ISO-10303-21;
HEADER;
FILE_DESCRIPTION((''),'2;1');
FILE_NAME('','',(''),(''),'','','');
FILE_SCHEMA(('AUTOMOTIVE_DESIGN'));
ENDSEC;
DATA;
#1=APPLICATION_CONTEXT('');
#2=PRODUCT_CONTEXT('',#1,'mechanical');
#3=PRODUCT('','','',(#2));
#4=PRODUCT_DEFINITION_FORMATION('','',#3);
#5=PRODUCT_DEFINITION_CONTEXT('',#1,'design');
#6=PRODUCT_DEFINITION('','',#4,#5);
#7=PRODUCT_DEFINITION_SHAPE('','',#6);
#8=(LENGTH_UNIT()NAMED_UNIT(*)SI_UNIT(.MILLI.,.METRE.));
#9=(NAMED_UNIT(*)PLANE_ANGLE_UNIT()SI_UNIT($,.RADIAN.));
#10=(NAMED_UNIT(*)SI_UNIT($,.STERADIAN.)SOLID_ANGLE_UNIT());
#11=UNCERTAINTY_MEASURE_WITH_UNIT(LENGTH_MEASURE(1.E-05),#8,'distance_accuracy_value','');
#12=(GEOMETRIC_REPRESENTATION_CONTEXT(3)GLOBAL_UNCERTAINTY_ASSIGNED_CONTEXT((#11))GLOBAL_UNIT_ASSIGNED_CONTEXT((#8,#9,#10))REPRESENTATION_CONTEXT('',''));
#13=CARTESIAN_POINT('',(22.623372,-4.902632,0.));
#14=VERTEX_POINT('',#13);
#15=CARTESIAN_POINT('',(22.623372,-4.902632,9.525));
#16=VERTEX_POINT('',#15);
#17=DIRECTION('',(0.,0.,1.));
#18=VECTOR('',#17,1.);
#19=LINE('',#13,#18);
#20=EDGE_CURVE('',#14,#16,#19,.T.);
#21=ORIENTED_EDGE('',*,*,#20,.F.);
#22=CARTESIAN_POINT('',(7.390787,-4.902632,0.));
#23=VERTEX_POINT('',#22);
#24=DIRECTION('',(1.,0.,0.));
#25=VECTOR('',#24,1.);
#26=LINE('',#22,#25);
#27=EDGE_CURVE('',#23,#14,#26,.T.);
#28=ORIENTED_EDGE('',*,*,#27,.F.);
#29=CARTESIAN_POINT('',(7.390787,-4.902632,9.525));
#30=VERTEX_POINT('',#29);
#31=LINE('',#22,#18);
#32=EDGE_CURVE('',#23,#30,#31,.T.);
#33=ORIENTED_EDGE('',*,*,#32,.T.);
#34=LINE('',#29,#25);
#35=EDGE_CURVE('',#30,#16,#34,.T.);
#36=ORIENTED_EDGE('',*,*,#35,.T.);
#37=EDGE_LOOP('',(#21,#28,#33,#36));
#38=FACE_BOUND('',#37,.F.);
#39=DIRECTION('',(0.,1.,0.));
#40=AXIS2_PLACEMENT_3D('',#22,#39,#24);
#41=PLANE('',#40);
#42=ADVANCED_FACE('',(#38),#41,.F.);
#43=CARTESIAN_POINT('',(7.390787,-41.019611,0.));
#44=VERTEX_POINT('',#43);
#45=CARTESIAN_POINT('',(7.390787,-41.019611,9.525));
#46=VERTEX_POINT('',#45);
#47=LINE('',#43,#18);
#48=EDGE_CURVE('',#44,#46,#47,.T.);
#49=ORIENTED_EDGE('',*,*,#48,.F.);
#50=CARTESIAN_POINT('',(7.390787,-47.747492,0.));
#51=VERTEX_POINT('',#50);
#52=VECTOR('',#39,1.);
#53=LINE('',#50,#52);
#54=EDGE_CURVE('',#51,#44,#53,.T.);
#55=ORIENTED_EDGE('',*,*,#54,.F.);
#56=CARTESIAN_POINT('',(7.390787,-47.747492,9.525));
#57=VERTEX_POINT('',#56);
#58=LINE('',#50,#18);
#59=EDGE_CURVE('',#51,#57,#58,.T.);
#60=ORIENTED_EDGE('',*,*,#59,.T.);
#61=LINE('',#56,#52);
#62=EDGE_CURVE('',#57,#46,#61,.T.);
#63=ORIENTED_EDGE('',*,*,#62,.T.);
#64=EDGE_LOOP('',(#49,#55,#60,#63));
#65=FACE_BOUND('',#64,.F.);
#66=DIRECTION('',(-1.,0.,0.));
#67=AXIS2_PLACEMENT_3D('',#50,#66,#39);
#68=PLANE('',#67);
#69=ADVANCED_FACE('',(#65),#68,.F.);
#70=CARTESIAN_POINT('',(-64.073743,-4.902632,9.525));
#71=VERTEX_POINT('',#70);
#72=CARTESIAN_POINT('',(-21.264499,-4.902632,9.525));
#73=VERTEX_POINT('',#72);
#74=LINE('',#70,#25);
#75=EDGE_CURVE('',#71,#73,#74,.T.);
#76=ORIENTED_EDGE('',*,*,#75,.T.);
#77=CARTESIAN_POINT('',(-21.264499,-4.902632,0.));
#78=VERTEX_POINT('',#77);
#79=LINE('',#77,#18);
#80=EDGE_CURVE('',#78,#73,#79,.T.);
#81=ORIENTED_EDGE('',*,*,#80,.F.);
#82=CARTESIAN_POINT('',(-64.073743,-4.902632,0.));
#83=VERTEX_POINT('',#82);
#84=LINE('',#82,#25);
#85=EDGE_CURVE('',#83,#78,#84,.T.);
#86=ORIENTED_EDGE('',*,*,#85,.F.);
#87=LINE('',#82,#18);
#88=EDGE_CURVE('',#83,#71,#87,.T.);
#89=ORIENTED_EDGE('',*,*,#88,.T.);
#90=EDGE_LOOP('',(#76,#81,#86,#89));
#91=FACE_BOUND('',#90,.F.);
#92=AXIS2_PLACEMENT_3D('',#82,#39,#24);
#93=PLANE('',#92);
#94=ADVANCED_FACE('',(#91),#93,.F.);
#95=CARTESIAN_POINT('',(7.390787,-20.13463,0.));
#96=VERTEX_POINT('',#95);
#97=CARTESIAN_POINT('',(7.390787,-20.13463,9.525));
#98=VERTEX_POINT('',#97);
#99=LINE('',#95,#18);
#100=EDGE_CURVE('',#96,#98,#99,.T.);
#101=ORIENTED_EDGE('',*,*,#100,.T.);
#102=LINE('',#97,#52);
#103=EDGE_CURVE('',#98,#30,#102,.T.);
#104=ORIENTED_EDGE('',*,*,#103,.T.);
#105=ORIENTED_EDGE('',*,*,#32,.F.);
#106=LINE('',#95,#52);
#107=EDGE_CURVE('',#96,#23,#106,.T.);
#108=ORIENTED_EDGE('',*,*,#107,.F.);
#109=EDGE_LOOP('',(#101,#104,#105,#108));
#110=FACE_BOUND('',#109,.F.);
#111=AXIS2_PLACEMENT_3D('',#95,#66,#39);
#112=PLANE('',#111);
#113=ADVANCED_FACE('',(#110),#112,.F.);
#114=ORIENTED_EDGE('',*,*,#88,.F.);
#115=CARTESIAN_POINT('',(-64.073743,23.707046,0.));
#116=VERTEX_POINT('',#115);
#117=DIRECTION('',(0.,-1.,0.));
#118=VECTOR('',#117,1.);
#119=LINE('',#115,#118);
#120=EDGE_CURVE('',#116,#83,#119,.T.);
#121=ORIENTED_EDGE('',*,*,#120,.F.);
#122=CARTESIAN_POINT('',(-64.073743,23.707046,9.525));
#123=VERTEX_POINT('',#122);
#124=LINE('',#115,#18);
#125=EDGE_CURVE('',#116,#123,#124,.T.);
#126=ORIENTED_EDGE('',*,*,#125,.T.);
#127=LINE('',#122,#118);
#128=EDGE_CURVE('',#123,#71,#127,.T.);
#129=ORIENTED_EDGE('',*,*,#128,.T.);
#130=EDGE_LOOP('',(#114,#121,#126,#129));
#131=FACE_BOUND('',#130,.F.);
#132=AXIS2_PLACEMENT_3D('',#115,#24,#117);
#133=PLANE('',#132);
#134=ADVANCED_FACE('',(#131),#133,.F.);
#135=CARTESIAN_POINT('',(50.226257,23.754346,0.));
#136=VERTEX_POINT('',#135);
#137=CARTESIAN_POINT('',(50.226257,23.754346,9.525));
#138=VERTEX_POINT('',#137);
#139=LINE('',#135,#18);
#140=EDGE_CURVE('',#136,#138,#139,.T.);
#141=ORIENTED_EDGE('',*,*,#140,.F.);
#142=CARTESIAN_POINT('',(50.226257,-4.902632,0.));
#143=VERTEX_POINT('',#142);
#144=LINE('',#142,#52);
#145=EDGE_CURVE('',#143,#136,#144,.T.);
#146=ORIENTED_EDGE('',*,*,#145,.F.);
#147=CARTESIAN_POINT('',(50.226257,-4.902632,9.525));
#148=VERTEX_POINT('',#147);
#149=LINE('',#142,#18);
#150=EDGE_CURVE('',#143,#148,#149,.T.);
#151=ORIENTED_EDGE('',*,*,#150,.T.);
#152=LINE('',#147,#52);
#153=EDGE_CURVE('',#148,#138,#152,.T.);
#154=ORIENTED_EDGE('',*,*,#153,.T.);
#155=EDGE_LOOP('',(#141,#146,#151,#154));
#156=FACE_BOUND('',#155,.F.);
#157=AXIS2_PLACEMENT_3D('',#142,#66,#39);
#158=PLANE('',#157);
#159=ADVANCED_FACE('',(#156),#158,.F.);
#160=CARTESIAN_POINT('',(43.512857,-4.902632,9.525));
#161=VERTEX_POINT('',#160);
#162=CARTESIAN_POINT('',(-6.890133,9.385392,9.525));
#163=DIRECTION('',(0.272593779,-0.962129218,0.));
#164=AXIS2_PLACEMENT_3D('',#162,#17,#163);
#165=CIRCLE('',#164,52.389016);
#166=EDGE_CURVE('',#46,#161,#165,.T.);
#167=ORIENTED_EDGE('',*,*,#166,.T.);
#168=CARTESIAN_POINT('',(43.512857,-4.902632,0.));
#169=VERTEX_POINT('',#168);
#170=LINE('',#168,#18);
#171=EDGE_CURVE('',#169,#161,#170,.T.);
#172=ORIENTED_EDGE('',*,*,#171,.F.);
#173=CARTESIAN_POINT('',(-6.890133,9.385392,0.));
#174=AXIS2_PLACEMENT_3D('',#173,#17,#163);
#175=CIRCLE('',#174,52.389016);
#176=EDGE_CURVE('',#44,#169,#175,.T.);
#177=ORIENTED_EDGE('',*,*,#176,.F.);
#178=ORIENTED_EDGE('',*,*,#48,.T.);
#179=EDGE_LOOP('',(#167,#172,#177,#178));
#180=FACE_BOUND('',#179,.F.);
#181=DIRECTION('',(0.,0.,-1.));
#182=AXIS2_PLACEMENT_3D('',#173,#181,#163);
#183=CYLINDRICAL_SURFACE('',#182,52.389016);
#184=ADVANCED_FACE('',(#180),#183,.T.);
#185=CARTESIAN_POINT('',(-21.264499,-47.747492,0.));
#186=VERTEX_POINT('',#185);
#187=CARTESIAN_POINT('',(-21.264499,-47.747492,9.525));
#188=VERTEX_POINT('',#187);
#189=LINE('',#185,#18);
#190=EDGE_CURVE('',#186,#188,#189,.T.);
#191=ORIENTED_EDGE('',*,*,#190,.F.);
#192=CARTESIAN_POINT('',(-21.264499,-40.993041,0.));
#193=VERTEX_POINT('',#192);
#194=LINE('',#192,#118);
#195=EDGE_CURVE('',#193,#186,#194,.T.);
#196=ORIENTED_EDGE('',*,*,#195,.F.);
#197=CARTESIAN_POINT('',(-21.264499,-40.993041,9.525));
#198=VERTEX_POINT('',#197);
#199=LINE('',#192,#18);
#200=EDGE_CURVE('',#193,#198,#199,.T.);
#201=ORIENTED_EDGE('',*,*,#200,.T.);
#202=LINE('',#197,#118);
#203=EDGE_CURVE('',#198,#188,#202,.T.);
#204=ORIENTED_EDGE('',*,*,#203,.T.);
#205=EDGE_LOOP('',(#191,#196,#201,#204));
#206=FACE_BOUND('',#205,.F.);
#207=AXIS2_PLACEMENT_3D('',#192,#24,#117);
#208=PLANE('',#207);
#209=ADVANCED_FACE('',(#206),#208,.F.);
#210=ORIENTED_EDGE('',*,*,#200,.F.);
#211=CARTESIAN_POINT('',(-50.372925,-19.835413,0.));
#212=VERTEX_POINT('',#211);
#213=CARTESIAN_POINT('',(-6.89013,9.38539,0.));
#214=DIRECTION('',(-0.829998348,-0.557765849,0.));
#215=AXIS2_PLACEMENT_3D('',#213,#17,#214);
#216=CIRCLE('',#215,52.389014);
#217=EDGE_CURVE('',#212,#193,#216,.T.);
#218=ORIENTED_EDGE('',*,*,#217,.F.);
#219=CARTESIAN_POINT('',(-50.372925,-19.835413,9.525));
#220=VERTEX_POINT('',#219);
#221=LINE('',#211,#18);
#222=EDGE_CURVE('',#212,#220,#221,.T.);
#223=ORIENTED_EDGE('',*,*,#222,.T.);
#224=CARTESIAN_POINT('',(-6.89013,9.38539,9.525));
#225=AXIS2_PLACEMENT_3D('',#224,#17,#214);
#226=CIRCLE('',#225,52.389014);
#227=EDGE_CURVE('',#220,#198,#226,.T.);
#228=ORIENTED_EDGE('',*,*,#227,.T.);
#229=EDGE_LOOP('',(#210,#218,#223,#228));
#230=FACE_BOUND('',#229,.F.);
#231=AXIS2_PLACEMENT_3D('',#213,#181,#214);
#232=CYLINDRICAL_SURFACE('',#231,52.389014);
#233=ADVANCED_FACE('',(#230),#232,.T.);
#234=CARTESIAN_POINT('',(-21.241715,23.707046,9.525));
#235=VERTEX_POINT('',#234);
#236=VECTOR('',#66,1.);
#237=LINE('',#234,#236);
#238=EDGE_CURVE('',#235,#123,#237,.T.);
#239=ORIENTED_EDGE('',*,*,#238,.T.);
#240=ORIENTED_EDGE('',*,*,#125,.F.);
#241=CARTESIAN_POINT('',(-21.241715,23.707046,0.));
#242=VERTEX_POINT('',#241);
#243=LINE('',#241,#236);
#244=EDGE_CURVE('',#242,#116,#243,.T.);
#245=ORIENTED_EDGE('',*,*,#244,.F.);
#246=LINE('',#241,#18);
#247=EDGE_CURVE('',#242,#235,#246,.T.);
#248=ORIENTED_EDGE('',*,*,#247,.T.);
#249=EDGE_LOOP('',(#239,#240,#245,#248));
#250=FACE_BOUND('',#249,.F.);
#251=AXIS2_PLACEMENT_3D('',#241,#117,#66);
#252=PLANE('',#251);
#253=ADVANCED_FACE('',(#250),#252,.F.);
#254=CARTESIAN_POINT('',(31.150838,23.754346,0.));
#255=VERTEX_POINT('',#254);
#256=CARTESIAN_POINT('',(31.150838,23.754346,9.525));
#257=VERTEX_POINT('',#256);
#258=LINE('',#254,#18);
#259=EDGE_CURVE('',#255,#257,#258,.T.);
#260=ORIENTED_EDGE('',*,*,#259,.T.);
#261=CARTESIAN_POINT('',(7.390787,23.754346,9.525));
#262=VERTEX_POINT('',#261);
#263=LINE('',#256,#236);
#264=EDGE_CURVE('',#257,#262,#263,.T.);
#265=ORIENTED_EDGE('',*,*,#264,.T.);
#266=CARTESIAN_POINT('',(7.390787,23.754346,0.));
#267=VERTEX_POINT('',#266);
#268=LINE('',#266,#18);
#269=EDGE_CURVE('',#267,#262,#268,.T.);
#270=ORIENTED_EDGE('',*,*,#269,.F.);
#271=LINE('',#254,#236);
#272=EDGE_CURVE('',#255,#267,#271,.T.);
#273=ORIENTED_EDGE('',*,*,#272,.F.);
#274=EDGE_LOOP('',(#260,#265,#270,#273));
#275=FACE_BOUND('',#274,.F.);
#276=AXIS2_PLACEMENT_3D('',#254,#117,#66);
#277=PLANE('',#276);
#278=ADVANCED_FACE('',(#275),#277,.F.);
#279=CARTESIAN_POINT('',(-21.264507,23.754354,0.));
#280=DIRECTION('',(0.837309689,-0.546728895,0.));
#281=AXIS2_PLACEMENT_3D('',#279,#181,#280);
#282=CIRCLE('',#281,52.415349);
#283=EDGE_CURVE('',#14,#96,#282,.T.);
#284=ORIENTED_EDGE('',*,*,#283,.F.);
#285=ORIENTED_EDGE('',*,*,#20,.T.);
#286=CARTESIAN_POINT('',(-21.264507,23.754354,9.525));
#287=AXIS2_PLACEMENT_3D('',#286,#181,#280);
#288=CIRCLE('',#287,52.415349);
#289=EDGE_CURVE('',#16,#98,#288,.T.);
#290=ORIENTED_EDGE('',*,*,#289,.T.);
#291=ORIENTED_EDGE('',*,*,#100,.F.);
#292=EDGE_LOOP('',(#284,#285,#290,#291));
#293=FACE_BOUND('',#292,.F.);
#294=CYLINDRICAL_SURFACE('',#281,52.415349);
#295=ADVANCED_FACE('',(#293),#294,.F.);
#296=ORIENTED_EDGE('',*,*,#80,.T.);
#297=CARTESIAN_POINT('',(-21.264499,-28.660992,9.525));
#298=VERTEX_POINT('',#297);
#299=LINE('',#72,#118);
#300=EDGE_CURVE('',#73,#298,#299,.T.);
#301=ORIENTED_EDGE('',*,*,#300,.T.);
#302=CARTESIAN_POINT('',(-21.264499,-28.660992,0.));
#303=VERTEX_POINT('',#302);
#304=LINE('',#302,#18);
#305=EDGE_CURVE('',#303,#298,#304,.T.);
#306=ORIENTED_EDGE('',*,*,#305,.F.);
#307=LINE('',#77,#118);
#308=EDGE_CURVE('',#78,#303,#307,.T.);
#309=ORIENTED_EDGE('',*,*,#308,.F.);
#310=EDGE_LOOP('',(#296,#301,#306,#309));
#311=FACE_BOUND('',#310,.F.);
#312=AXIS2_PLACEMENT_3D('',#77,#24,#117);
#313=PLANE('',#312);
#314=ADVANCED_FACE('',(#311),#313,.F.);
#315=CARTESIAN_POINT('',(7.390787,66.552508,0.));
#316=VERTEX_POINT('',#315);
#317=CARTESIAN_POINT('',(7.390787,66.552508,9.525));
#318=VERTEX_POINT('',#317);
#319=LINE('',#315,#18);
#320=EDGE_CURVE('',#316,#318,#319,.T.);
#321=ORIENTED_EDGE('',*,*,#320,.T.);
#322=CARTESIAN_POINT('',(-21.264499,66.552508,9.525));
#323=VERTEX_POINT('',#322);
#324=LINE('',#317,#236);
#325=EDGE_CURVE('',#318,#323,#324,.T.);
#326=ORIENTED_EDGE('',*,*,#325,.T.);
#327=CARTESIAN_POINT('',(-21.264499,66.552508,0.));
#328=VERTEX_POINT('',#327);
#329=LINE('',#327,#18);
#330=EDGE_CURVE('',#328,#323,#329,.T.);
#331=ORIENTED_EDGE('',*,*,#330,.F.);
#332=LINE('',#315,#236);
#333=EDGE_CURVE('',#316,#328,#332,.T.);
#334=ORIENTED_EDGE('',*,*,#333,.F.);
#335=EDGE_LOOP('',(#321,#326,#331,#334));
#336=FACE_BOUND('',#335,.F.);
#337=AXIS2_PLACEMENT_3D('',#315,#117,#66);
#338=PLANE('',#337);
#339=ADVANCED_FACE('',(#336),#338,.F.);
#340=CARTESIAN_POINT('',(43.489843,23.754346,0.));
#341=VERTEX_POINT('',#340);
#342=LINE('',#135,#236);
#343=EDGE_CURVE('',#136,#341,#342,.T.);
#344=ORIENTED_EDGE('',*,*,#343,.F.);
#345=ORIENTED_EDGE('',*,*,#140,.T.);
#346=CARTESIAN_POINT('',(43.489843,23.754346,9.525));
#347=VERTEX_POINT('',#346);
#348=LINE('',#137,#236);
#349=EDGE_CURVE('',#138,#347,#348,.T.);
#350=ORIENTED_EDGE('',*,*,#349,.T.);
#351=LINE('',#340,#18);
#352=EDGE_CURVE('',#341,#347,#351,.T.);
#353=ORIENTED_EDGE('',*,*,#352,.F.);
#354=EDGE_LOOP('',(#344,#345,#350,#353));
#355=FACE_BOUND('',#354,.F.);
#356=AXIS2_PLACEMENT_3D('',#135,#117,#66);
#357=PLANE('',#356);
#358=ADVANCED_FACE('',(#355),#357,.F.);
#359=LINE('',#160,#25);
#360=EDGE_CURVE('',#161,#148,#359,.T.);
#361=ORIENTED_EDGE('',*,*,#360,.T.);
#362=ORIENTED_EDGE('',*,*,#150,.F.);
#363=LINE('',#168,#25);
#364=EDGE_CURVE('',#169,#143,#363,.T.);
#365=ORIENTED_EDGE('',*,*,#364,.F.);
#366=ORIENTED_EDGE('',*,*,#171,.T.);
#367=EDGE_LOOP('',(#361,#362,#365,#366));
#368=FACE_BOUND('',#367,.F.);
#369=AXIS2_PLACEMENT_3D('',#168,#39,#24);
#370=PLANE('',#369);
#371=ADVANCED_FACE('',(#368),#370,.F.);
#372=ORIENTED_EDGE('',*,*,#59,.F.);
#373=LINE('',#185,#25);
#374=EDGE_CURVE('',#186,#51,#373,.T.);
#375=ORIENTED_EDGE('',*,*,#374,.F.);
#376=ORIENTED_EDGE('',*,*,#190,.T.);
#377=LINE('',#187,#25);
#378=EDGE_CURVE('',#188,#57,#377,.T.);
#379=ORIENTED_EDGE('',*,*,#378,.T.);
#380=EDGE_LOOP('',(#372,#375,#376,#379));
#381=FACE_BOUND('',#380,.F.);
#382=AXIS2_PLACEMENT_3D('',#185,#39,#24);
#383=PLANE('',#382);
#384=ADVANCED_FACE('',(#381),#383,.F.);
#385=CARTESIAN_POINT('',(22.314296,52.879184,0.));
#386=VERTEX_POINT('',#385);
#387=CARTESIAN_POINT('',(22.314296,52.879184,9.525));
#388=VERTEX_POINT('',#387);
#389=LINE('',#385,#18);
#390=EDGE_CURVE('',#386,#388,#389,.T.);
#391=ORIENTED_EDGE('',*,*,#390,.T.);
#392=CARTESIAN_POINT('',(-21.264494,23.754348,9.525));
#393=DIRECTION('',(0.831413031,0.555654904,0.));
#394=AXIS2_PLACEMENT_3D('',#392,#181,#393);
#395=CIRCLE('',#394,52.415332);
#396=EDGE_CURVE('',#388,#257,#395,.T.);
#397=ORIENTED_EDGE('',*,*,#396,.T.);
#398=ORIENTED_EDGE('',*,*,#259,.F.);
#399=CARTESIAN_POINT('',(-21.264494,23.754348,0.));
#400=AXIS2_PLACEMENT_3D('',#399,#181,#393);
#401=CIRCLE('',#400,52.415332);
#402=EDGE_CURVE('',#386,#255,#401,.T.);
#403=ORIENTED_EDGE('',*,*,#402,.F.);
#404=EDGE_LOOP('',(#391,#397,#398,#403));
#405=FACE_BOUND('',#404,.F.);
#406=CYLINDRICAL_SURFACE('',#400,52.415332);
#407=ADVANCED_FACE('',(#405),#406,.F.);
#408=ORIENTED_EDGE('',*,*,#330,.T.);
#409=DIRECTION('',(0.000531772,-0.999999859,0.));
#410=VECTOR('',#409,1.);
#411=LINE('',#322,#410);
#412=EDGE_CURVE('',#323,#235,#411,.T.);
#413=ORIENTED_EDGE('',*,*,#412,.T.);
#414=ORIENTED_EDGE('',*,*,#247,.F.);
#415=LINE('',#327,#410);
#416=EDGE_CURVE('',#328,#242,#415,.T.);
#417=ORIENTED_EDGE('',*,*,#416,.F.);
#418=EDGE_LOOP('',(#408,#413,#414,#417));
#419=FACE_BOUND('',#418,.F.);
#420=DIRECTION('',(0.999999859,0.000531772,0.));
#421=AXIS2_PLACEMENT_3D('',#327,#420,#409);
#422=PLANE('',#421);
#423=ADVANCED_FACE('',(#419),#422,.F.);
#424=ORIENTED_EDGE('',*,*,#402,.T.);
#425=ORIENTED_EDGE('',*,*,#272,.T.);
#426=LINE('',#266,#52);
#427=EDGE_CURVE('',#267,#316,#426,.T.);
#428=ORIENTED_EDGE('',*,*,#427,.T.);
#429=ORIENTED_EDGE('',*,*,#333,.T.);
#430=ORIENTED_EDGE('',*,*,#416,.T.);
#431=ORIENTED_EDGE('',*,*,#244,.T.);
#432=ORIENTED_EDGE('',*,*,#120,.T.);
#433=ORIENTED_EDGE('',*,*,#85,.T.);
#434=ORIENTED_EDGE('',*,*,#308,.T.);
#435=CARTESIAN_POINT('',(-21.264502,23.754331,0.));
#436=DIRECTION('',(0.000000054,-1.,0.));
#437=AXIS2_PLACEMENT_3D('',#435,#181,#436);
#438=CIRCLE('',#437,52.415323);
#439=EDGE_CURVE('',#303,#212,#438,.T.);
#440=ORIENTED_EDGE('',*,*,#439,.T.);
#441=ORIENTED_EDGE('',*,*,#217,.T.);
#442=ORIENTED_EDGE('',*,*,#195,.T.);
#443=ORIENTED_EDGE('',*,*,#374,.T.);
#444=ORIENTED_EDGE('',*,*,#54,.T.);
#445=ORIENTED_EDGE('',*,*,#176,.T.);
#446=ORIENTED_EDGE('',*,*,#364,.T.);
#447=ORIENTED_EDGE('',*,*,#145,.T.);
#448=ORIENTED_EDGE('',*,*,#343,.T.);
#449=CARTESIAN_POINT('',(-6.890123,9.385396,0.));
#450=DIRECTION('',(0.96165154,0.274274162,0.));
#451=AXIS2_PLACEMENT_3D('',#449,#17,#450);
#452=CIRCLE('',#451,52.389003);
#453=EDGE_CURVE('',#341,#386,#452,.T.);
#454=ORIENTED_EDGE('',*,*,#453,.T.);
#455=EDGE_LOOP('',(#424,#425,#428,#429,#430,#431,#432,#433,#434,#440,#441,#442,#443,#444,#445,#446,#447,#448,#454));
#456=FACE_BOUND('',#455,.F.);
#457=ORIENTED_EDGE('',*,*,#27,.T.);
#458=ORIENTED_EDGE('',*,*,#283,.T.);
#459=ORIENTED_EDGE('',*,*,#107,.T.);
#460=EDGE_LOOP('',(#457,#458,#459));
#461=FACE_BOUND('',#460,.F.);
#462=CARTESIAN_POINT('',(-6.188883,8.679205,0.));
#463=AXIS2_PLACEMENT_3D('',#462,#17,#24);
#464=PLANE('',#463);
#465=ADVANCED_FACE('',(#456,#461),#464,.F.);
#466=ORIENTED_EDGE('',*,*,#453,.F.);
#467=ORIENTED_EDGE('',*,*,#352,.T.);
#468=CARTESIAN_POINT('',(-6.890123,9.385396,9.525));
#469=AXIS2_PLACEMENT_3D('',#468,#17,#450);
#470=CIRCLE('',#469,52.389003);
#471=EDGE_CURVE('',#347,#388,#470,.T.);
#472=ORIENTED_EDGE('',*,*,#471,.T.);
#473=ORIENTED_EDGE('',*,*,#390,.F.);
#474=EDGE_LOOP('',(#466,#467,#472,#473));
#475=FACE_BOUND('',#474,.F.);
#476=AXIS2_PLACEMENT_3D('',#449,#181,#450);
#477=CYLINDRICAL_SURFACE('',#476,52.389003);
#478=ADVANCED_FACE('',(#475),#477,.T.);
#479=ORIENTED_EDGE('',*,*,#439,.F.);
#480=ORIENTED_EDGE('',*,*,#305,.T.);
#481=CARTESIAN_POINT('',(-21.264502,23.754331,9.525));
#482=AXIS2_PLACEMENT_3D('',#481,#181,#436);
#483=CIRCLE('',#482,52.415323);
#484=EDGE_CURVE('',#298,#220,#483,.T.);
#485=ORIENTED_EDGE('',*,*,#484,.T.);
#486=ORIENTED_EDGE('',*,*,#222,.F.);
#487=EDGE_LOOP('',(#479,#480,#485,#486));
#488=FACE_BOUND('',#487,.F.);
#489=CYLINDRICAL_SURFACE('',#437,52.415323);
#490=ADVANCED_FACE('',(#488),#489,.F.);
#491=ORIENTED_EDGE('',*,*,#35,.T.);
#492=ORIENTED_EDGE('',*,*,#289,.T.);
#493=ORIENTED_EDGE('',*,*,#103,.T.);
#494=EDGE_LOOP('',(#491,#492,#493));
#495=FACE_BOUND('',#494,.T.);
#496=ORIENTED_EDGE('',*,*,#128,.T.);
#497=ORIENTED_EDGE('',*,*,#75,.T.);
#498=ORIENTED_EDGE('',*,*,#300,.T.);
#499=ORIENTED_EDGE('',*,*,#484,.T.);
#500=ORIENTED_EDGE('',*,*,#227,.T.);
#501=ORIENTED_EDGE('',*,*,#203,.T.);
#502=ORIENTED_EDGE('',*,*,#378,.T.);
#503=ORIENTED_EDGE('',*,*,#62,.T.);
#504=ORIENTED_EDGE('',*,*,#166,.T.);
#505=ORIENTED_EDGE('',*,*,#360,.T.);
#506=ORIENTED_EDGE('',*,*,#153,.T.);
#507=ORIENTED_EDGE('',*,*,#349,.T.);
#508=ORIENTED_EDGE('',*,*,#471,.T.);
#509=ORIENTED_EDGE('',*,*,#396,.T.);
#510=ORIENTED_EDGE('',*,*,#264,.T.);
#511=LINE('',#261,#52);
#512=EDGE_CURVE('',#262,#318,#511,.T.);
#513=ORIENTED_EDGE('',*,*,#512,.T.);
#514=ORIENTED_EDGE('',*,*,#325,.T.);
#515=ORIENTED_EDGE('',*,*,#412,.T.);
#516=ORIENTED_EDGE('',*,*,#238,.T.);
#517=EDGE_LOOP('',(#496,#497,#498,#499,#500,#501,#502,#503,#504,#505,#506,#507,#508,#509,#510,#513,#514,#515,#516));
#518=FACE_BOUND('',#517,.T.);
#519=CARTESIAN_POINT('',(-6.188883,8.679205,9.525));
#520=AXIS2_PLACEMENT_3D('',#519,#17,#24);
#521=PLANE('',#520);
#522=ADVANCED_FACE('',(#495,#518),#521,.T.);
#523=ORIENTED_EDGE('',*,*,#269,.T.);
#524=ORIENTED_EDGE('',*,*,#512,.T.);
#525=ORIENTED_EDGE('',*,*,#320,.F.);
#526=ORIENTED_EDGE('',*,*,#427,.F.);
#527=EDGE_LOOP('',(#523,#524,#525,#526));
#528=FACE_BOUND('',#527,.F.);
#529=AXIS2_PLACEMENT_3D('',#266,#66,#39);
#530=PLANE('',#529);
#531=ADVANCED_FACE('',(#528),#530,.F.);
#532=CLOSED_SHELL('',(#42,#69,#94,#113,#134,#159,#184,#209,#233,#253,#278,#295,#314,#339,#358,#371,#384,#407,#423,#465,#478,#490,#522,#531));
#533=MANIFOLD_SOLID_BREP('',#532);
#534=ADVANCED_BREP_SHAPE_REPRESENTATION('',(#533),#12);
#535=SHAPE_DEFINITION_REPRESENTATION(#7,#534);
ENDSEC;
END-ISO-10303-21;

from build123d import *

# Parameters (mm, degrees)
F1_DEPTH = 9.525


with BuildPart() as f1:
    # F0 (on Top) → F1 (new body)
    with BuildSketch(Plane.XY):
        with BuildLine():
            ThreePointArc((-21.264499, -28.660992), (-36.472978, -26.406095), (-50.372925, -19.835413))
            ThreePointArc((-50.372925, -19.835413), (-37.692308, -32.991899), (-21.264499, -40.993041))
            Line((-21.264499, -40.993041), (-21.264499, -47.747492))
            Line((-21.264499, -47.747492), (7.390787, -47.747492))
            Line((7.390787, -47.747492), (7.390787, -41.019611))
            ThreePointArc((7.390787, -41.019611), (30.151885, -27.661847), (43.512857, -4.902632))
            Line((43.512857, -4.902632), (50.226257, -4.902632))
            Line((50.226257, -4.902632), (50.226257, 23.754346))
            Line((50.226257, 23.754346), (43.489843, 23.754346))
            ThreePointArc((43.489843, 23.754346), (35.483013, 40.193269), (22.314296, 52.879184))
            ThreePointArc((22.314296, 52.879184), (28.893077, 38.972268), (31.150838, 23.754346))
            Line((31.150838, 23.754346), (7.390787, 23.754346))
            Line((7.390787, 23.754346), (7.390787, 66.552508))
            Line((7.390787, 66.552508), (-21.264499, 66.552508))
            Line((-21.264499, 66.552508), (-21.241715, 23.707046))
            Line((-21.241715, 23.707046), (-64.073743, 23.707046))
            Line((-64.073743, 23.707046), (-64.073743, -4.902632))
            Line((-64.073743, -4.902632), (-21.264499, -4.902632))
            Line((-21.264499, -4.902632), (-21.264499, -28.660992))
        make_face()
        with BuildLine():
            Line((7.390787, -20.13463), (7.390787, -4.902632))
            Line((7.390787, -4.902632), (22.623372, -4.902632))
            ThreePointArc((22.623372, -4.902632), (15.798027, -13.309609), (7.390787, -20.13463))
        make_face(mode=Mode.SUBTRACT)
    extrude(amount=F1_DEPTH)


solid = f1.part
